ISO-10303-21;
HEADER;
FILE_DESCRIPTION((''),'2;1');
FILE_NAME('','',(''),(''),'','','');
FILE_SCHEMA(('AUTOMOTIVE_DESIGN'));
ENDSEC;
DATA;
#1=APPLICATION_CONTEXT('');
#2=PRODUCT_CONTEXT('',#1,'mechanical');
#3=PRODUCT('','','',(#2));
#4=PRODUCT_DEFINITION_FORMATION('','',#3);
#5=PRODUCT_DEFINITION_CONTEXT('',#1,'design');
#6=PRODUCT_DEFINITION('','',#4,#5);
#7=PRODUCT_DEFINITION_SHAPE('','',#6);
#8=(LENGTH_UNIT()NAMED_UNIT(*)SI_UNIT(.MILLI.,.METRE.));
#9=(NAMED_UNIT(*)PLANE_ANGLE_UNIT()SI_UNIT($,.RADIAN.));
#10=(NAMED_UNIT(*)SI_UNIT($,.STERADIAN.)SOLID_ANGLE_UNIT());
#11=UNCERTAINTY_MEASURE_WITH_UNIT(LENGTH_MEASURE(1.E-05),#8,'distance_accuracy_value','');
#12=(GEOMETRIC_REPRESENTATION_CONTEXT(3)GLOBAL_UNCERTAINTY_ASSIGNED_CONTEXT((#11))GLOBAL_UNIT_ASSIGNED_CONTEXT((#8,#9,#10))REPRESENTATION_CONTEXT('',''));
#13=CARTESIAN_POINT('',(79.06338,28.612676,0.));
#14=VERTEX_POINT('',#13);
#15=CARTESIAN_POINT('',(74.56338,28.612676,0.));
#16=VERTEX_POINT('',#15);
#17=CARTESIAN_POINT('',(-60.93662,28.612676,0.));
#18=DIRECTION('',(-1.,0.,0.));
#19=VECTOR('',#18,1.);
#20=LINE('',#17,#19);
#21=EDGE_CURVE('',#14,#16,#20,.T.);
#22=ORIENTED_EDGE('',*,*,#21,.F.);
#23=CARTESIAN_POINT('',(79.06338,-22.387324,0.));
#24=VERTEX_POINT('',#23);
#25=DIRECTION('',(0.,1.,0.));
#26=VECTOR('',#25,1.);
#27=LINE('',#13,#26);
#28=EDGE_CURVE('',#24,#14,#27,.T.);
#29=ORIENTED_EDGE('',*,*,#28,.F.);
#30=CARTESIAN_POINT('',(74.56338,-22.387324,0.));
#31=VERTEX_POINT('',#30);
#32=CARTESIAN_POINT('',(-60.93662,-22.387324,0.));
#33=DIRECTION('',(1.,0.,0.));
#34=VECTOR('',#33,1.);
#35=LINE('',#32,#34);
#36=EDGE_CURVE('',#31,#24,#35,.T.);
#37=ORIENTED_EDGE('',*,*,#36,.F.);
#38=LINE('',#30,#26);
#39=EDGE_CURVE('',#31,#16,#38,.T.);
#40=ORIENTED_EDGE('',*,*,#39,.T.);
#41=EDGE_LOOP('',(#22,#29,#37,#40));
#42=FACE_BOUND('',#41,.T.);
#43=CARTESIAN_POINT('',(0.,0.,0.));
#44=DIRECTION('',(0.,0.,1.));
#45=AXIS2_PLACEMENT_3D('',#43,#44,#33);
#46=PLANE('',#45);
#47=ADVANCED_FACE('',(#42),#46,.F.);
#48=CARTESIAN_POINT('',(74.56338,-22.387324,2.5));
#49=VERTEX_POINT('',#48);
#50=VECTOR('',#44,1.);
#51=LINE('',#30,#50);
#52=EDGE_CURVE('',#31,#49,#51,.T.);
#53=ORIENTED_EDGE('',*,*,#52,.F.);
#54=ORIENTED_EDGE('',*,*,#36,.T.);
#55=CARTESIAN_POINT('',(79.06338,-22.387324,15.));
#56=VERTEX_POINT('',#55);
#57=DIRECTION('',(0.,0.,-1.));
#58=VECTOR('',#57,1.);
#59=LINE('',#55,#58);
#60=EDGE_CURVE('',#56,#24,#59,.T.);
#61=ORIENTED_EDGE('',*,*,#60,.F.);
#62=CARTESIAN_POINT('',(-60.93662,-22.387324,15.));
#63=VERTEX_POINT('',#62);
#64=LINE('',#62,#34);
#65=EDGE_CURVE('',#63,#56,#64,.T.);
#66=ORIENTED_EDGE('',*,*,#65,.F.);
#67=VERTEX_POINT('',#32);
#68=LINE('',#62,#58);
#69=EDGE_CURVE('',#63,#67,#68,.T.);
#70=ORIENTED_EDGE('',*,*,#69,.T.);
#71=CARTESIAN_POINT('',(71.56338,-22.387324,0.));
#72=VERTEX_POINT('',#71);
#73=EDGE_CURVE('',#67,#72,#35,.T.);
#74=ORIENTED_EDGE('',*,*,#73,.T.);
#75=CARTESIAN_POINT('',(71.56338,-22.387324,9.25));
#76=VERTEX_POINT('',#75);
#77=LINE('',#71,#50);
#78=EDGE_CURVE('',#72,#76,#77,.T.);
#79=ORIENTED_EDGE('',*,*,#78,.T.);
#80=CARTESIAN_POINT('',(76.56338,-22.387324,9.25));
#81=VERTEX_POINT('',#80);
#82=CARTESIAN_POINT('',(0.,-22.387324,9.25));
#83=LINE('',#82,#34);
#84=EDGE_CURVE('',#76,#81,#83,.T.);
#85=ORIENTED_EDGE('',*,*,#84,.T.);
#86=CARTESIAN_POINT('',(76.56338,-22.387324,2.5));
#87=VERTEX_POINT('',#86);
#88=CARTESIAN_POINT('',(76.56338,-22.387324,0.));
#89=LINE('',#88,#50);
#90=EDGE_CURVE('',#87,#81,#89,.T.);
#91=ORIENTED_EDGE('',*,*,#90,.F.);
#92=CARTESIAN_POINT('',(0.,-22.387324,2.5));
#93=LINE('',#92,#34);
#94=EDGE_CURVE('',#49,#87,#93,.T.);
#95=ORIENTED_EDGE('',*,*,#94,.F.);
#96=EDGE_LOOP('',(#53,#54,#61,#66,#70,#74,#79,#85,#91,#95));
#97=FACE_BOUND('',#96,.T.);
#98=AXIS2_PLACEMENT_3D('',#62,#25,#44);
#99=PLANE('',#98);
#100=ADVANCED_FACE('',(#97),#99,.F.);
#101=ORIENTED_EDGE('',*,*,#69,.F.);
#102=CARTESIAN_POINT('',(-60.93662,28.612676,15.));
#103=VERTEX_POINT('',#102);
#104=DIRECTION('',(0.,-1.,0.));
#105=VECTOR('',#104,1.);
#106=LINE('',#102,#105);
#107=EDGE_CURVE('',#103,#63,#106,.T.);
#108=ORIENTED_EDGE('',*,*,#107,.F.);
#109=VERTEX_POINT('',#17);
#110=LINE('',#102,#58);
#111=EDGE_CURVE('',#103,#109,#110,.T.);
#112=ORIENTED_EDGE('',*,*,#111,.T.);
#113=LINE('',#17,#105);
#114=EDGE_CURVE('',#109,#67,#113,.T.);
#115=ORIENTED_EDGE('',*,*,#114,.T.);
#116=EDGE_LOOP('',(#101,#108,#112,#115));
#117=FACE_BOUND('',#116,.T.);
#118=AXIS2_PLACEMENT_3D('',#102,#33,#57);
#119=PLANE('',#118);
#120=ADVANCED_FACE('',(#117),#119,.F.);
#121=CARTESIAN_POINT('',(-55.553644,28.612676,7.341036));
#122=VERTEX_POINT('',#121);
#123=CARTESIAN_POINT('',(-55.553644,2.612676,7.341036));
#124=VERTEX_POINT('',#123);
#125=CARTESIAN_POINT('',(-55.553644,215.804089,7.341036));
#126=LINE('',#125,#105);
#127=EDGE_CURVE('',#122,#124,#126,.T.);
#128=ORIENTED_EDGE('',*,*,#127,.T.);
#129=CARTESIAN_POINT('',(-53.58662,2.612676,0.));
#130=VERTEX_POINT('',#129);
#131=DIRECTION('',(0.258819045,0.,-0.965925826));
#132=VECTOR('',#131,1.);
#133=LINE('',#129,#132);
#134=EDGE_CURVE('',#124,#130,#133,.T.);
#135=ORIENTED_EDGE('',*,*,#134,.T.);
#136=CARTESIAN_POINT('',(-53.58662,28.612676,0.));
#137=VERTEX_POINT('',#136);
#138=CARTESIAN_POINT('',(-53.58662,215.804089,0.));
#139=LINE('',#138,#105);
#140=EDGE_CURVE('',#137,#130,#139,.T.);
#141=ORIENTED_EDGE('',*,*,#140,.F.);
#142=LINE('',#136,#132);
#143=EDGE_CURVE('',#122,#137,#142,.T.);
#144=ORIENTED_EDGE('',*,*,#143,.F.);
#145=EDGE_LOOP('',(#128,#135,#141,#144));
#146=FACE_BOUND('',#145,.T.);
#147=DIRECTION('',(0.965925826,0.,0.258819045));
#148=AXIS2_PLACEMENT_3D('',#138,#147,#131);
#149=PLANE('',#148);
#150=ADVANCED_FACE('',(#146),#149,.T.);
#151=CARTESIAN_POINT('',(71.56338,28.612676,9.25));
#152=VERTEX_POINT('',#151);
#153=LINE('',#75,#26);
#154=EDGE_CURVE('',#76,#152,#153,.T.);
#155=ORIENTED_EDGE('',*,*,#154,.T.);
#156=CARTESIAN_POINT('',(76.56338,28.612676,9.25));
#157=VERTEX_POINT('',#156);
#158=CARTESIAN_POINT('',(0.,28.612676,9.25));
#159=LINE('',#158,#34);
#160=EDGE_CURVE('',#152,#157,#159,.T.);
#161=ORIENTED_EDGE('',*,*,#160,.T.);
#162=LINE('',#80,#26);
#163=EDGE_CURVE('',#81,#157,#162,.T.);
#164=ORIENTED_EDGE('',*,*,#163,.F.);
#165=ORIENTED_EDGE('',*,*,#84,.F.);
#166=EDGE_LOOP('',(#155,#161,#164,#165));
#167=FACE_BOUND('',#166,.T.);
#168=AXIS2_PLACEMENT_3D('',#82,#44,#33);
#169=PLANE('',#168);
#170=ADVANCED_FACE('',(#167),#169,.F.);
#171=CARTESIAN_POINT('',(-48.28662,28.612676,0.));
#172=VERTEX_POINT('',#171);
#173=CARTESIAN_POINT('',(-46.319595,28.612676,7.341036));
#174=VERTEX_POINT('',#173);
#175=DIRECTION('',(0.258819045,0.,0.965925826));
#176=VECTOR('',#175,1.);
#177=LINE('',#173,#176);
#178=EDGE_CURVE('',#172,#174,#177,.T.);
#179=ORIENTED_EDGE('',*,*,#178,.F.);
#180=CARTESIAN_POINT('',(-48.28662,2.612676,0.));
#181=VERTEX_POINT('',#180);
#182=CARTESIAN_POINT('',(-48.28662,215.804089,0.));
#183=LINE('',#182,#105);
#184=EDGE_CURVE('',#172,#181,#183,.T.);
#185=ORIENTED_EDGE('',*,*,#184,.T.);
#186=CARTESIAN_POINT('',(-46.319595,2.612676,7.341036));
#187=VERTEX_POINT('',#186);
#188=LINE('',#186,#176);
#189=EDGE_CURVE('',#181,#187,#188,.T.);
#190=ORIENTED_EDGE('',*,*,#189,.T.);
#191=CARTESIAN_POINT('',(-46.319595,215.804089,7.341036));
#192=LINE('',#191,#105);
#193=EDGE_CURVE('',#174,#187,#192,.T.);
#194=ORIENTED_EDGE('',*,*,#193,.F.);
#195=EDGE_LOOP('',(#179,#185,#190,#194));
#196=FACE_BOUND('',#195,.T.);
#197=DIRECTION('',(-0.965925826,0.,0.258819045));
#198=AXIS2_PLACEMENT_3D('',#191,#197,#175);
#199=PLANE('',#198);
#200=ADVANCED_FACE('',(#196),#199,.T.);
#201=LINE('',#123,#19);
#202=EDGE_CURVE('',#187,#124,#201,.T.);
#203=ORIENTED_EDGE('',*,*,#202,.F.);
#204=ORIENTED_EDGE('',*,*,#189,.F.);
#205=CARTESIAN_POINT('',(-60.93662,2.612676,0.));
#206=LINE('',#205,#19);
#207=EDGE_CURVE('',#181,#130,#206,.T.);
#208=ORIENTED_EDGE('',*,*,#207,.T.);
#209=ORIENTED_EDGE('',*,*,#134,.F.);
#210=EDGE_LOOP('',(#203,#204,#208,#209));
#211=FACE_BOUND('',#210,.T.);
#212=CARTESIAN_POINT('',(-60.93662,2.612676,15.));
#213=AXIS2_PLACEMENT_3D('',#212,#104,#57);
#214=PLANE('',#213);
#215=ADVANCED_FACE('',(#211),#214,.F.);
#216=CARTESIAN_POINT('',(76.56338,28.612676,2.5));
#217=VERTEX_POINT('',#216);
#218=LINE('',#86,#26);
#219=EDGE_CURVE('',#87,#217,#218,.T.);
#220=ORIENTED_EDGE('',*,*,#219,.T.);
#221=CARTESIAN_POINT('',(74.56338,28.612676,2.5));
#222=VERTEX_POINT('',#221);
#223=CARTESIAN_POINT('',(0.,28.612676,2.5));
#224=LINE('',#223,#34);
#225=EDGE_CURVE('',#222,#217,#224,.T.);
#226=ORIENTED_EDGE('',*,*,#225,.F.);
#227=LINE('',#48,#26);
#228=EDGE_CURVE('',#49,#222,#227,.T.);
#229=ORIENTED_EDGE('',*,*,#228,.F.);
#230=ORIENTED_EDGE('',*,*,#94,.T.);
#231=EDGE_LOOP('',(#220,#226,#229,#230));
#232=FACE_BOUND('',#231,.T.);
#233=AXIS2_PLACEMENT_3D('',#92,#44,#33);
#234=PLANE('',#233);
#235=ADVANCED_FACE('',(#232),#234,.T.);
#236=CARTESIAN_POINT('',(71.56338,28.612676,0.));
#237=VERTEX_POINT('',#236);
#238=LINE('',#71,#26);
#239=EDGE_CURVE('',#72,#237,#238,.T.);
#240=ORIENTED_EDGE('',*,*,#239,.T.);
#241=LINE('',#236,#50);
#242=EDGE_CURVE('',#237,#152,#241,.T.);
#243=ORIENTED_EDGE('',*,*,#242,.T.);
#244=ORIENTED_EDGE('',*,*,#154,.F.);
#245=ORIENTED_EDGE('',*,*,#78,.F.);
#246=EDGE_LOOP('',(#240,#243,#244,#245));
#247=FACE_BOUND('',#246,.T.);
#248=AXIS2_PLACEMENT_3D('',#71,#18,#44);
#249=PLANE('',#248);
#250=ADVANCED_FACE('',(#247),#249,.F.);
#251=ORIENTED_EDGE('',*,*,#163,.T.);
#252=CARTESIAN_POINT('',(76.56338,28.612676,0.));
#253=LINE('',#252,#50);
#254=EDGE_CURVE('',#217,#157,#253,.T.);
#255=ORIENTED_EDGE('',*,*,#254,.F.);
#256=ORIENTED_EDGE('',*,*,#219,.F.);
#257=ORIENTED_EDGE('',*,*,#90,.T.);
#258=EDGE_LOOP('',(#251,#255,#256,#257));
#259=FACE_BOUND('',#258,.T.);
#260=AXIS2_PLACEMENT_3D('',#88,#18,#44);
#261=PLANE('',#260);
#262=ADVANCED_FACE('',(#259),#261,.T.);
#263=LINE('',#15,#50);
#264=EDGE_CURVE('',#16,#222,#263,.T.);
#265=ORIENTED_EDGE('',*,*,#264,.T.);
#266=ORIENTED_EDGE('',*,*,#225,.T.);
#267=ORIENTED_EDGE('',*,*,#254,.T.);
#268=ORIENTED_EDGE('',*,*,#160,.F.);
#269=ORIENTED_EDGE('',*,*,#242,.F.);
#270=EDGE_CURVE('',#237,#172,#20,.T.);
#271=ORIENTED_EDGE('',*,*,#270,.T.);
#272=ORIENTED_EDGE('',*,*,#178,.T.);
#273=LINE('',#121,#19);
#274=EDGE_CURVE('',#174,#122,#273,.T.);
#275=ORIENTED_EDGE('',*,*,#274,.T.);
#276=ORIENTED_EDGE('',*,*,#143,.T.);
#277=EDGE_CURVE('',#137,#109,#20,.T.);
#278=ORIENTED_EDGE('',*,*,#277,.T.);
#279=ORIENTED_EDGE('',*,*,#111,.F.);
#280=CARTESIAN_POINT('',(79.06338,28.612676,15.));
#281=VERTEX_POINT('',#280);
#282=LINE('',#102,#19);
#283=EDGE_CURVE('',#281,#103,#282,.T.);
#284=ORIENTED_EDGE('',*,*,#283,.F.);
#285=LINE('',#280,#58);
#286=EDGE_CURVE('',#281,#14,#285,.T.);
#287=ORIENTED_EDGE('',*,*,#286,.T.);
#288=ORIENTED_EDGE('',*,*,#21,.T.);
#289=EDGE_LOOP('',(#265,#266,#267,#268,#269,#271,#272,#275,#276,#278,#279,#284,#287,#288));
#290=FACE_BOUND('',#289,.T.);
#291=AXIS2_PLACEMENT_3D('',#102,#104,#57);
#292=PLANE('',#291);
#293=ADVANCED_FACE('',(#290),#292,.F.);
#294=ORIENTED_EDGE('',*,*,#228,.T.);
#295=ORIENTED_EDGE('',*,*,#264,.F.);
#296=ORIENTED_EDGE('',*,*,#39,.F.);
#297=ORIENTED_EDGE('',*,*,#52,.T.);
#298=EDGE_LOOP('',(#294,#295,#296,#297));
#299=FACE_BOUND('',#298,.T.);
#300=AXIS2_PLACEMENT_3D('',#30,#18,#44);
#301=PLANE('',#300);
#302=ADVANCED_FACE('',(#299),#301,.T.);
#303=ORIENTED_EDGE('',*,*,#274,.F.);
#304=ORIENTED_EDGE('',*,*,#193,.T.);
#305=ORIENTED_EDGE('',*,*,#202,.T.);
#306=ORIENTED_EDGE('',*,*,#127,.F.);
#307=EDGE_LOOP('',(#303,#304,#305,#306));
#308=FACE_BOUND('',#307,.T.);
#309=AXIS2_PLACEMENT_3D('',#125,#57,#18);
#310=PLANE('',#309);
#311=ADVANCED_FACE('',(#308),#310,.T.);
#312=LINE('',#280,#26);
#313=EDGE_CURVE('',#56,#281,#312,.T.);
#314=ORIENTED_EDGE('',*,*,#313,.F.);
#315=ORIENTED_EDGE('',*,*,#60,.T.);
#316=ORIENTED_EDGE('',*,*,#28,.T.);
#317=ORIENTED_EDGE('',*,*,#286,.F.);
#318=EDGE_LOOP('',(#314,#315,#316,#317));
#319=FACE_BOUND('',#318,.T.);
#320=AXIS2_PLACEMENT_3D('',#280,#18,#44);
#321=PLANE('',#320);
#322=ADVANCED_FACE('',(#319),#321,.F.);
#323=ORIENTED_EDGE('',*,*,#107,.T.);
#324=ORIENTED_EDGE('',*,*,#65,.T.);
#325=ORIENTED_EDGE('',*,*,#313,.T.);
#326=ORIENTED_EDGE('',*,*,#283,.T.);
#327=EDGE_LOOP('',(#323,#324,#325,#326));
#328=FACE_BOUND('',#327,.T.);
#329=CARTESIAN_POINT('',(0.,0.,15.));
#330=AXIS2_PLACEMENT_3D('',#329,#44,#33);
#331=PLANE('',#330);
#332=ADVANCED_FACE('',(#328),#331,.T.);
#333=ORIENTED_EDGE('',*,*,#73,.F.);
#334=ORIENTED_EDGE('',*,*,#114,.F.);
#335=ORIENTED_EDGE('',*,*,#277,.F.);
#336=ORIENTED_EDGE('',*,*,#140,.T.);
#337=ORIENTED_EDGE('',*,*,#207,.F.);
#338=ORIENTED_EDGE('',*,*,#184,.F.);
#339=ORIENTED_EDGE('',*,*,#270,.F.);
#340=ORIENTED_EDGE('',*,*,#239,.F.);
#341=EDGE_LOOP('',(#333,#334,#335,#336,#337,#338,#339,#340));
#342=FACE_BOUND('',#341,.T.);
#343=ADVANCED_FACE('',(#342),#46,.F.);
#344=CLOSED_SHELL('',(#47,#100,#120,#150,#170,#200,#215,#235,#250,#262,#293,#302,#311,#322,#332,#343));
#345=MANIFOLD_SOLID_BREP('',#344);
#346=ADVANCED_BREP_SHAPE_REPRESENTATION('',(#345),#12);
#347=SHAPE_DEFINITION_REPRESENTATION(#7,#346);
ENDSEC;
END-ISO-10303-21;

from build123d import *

# Parameters (mm, degrees)
SKETCH1_W               = 140
SKETCH1_H               = 51
BOSS_EXTRUDE1_DEPTH     = 15
CUT_EXTRUDE1_DEPTH      = 52
CUT_EXTRUDE2_DEPTH      = 1
CUT_EXTRUDE2_DEPTH_BACK = 26


with BuildPart() as part:
    # Sketch1 → Boss-Extrude1 (new body)
    with BuildSketch(Plane.XY):
        with Locations((9.063380282, 3.112676056)):
            Rectangle(SKETCH1_W, SKETCH1_H)
    extrude(amount=BOSS_EXTRUDE1_DEPTH)

    # Sketch2 → Cut-Extrude1 (cut, through all)
    with BuildSketch(Plane(origin=(0, 28.612676056, 0), x_dir=(1, 0, 0), z_dir=(0, 1, 0))):
        Polygon((74.563380282, -2.5), (74.563380282, 0), (71.563380282, 0), (71.563380282, -2.5), (71.563380282, -9.25), (76.563380282, -9.25), (76.563380282, -2.5), align=None)
    extrude(amount=-CUT_EXTRUDE1_DEPTH, mode=Mode.SUBTRACT)

    # Sketch3 → Cut-Extrude2 (cut, two sides)
    with BuildSketch(Plane(origin=(0, 28.612676056, 0), x_dir=(1, 0, 0), z_dir=(0, 1, 0))) as cut_extrude2_sk:
        Polygon((-352.539176525, 0), (-60.936619718, 0), (-53.586619718, 0), (-55.553644461, -7.34103628), (-46.319594976, -7.34103628), (-48.286619718, 0), (-123.75891502, 281.666440631), (-576.450550722, 649.359910128), (-805.230812226, 367.693469497), align=None)
    extrude(amount=CUT_EXTRUDE2_DEPTH, mode=Mode.SUBTRACT)
    extrude(cut_extrude2_sk.sketch, amount=-CUT_EXTRUDE2_DEPTH_BACK, mode=Mode.SUBTRACT)


solid = part.part
